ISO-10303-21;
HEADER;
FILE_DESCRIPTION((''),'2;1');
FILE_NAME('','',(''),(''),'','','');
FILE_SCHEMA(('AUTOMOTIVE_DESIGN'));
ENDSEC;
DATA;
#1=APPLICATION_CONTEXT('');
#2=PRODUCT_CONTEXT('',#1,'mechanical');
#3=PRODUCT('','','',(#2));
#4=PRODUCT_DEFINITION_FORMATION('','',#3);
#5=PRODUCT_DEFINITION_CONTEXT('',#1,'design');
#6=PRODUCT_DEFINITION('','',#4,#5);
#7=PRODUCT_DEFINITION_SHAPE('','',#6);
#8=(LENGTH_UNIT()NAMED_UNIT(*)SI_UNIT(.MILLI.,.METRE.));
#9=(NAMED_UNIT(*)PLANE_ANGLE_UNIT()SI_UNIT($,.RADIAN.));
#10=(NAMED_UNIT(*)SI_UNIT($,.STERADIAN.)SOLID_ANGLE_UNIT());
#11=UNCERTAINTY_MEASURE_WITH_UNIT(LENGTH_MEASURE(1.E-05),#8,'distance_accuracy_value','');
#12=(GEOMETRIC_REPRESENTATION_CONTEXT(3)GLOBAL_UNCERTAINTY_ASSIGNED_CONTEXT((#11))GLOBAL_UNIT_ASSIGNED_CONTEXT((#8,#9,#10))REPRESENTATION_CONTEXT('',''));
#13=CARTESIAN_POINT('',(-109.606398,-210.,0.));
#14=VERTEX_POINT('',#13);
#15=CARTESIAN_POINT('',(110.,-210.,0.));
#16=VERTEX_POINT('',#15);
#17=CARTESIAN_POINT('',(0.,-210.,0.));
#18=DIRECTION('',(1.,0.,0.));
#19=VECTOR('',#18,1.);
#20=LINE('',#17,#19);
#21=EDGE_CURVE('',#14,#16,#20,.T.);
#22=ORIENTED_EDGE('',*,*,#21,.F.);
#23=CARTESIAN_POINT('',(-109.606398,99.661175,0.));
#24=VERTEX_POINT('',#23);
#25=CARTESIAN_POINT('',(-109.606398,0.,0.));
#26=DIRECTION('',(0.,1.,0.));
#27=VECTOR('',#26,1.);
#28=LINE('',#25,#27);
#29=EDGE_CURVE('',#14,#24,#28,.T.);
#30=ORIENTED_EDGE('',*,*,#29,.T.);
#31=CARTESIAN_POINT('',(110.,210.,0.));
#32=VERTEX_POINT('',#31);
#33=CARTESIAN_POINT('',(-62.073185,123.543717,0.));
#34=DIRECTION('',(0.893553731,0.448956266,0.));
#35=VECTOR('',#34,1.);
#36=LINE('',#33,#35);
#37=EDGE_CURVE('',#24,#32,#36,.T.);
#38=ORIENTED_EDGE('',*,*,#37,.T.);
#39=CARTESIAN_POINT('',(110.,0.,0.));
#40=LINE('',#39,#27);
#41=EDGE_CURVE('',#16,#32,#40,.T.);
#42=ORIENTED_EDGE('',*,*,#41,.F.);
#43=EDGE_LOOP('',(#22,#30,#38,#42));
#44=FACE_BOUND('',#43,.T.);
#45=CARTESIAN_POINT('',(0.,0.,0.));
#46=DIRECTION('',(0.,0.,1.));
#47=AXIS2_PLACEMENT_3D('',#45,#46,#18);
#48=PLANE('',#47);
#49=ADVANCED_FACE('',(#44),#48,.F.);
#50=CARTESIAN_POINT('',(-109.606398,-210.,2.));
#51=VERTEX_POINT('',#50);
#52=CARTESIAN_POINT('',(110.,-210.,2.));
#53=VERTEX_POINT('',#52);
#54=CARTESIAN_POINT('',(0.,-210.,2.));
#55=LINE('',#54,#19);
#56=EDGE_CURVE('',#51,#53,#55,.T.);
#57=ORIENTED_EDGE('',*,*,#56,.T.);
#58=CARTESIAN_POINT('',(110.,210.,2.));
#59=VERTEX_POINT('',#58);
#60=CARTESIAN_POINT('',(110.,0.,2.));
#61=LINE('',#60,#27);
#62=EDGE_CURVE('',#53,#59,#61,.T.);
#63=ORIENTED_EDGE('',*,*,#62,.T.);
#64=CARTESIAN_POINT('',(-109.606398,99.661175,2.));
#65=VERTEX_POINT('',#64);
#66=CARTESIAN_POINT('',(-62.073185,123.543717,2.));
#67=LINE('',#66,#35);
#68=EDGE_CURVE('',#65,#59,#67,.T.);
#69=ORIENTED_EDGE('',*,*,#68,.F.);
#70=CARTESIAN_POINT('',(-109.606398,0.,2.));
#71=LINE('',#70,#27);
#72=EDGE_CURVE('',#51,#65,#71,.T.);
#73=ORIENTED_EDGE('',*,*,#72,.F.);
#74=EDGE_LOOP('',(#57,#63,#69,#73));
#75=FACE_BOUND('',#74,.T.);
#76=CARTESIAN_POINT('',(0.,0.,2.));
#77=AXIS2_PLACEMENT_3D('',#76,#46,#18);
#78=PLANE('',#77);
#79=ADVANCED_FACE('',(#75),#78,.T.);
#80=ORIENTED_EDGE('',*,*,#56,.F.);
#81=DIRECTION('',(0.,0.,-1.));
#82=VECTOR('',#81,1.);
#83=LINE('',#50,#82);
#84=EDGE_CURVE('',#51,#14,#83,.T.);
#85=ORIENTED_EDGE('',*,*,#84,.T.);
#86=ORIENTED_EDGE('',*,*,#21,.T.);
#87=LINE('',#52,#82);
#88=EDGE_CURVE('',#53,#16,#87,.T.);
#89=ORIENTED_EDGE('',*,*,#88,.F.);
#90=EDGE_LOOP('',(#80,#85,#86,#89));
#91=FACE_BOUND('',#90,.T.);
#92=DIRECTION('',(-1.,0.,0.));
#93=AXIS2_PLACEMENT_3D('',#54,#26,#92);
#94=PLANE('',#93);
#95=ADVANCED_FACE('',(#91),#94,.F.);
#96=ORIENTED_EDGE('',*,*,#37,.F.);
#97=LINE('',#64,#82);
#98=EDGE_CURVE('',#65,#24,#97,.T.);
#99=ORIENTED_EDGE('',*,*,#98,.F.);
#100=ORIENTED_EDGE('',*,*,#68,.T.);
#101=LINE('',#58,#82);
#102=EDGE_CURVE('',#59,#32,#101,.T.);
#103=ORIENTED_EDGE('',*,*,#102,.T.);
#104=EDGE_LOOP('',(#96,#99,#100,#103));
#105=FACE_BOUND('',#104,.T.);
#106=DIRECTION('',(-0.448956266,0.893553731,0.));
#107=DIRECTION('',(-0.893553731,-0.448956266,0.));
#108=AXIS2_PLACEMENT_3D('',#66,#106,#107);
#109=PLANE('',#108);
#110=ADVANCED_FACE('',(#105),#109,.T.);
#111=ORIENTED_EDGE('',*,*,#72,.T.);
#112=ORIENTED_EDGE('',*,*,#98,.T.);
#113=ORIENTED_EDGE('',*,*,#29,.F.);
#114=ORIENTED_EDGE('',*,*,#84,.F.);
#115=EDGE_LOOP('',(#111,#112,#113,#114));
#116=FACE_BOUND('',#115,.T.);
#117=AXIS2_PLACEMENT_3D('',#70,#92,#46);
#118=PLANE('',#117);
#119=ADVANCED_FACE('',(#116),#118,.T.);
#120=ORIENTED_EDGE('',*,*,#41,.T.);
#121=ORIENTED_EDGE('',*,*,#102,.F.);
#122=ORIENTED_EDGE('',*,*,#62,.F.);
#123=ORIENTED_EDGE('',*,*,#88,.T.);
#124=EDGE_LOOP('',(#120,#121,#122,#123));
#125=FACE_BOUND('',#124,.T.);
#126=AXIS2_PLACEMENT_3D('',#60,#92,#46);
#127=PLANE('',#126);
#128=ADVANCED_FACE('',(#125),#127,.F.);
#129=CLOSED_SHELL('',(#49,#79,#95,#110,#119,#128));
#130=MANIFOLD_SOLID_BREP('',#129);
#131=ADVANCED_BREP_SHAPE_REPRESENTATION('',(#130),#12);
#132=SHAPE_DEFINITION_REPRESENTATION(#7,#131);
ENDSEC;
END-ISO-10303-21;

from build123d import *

# Parameters (mm, degrees)
BOSS_EXTRU_1_DEPTH = 2


with BuildPart() as part:
    # Esquisse1 → Boss.-Extru.1 (new body)
    with BuildSketch(Plane.XY):
        Polygon((-109.606398469, 99.661175131), (-109.606398469, -210), (110, -210), (110, 210), align=None)
    extrude(amount=BOSS_EXTRU_1_DEPTH)


solid = part.part
